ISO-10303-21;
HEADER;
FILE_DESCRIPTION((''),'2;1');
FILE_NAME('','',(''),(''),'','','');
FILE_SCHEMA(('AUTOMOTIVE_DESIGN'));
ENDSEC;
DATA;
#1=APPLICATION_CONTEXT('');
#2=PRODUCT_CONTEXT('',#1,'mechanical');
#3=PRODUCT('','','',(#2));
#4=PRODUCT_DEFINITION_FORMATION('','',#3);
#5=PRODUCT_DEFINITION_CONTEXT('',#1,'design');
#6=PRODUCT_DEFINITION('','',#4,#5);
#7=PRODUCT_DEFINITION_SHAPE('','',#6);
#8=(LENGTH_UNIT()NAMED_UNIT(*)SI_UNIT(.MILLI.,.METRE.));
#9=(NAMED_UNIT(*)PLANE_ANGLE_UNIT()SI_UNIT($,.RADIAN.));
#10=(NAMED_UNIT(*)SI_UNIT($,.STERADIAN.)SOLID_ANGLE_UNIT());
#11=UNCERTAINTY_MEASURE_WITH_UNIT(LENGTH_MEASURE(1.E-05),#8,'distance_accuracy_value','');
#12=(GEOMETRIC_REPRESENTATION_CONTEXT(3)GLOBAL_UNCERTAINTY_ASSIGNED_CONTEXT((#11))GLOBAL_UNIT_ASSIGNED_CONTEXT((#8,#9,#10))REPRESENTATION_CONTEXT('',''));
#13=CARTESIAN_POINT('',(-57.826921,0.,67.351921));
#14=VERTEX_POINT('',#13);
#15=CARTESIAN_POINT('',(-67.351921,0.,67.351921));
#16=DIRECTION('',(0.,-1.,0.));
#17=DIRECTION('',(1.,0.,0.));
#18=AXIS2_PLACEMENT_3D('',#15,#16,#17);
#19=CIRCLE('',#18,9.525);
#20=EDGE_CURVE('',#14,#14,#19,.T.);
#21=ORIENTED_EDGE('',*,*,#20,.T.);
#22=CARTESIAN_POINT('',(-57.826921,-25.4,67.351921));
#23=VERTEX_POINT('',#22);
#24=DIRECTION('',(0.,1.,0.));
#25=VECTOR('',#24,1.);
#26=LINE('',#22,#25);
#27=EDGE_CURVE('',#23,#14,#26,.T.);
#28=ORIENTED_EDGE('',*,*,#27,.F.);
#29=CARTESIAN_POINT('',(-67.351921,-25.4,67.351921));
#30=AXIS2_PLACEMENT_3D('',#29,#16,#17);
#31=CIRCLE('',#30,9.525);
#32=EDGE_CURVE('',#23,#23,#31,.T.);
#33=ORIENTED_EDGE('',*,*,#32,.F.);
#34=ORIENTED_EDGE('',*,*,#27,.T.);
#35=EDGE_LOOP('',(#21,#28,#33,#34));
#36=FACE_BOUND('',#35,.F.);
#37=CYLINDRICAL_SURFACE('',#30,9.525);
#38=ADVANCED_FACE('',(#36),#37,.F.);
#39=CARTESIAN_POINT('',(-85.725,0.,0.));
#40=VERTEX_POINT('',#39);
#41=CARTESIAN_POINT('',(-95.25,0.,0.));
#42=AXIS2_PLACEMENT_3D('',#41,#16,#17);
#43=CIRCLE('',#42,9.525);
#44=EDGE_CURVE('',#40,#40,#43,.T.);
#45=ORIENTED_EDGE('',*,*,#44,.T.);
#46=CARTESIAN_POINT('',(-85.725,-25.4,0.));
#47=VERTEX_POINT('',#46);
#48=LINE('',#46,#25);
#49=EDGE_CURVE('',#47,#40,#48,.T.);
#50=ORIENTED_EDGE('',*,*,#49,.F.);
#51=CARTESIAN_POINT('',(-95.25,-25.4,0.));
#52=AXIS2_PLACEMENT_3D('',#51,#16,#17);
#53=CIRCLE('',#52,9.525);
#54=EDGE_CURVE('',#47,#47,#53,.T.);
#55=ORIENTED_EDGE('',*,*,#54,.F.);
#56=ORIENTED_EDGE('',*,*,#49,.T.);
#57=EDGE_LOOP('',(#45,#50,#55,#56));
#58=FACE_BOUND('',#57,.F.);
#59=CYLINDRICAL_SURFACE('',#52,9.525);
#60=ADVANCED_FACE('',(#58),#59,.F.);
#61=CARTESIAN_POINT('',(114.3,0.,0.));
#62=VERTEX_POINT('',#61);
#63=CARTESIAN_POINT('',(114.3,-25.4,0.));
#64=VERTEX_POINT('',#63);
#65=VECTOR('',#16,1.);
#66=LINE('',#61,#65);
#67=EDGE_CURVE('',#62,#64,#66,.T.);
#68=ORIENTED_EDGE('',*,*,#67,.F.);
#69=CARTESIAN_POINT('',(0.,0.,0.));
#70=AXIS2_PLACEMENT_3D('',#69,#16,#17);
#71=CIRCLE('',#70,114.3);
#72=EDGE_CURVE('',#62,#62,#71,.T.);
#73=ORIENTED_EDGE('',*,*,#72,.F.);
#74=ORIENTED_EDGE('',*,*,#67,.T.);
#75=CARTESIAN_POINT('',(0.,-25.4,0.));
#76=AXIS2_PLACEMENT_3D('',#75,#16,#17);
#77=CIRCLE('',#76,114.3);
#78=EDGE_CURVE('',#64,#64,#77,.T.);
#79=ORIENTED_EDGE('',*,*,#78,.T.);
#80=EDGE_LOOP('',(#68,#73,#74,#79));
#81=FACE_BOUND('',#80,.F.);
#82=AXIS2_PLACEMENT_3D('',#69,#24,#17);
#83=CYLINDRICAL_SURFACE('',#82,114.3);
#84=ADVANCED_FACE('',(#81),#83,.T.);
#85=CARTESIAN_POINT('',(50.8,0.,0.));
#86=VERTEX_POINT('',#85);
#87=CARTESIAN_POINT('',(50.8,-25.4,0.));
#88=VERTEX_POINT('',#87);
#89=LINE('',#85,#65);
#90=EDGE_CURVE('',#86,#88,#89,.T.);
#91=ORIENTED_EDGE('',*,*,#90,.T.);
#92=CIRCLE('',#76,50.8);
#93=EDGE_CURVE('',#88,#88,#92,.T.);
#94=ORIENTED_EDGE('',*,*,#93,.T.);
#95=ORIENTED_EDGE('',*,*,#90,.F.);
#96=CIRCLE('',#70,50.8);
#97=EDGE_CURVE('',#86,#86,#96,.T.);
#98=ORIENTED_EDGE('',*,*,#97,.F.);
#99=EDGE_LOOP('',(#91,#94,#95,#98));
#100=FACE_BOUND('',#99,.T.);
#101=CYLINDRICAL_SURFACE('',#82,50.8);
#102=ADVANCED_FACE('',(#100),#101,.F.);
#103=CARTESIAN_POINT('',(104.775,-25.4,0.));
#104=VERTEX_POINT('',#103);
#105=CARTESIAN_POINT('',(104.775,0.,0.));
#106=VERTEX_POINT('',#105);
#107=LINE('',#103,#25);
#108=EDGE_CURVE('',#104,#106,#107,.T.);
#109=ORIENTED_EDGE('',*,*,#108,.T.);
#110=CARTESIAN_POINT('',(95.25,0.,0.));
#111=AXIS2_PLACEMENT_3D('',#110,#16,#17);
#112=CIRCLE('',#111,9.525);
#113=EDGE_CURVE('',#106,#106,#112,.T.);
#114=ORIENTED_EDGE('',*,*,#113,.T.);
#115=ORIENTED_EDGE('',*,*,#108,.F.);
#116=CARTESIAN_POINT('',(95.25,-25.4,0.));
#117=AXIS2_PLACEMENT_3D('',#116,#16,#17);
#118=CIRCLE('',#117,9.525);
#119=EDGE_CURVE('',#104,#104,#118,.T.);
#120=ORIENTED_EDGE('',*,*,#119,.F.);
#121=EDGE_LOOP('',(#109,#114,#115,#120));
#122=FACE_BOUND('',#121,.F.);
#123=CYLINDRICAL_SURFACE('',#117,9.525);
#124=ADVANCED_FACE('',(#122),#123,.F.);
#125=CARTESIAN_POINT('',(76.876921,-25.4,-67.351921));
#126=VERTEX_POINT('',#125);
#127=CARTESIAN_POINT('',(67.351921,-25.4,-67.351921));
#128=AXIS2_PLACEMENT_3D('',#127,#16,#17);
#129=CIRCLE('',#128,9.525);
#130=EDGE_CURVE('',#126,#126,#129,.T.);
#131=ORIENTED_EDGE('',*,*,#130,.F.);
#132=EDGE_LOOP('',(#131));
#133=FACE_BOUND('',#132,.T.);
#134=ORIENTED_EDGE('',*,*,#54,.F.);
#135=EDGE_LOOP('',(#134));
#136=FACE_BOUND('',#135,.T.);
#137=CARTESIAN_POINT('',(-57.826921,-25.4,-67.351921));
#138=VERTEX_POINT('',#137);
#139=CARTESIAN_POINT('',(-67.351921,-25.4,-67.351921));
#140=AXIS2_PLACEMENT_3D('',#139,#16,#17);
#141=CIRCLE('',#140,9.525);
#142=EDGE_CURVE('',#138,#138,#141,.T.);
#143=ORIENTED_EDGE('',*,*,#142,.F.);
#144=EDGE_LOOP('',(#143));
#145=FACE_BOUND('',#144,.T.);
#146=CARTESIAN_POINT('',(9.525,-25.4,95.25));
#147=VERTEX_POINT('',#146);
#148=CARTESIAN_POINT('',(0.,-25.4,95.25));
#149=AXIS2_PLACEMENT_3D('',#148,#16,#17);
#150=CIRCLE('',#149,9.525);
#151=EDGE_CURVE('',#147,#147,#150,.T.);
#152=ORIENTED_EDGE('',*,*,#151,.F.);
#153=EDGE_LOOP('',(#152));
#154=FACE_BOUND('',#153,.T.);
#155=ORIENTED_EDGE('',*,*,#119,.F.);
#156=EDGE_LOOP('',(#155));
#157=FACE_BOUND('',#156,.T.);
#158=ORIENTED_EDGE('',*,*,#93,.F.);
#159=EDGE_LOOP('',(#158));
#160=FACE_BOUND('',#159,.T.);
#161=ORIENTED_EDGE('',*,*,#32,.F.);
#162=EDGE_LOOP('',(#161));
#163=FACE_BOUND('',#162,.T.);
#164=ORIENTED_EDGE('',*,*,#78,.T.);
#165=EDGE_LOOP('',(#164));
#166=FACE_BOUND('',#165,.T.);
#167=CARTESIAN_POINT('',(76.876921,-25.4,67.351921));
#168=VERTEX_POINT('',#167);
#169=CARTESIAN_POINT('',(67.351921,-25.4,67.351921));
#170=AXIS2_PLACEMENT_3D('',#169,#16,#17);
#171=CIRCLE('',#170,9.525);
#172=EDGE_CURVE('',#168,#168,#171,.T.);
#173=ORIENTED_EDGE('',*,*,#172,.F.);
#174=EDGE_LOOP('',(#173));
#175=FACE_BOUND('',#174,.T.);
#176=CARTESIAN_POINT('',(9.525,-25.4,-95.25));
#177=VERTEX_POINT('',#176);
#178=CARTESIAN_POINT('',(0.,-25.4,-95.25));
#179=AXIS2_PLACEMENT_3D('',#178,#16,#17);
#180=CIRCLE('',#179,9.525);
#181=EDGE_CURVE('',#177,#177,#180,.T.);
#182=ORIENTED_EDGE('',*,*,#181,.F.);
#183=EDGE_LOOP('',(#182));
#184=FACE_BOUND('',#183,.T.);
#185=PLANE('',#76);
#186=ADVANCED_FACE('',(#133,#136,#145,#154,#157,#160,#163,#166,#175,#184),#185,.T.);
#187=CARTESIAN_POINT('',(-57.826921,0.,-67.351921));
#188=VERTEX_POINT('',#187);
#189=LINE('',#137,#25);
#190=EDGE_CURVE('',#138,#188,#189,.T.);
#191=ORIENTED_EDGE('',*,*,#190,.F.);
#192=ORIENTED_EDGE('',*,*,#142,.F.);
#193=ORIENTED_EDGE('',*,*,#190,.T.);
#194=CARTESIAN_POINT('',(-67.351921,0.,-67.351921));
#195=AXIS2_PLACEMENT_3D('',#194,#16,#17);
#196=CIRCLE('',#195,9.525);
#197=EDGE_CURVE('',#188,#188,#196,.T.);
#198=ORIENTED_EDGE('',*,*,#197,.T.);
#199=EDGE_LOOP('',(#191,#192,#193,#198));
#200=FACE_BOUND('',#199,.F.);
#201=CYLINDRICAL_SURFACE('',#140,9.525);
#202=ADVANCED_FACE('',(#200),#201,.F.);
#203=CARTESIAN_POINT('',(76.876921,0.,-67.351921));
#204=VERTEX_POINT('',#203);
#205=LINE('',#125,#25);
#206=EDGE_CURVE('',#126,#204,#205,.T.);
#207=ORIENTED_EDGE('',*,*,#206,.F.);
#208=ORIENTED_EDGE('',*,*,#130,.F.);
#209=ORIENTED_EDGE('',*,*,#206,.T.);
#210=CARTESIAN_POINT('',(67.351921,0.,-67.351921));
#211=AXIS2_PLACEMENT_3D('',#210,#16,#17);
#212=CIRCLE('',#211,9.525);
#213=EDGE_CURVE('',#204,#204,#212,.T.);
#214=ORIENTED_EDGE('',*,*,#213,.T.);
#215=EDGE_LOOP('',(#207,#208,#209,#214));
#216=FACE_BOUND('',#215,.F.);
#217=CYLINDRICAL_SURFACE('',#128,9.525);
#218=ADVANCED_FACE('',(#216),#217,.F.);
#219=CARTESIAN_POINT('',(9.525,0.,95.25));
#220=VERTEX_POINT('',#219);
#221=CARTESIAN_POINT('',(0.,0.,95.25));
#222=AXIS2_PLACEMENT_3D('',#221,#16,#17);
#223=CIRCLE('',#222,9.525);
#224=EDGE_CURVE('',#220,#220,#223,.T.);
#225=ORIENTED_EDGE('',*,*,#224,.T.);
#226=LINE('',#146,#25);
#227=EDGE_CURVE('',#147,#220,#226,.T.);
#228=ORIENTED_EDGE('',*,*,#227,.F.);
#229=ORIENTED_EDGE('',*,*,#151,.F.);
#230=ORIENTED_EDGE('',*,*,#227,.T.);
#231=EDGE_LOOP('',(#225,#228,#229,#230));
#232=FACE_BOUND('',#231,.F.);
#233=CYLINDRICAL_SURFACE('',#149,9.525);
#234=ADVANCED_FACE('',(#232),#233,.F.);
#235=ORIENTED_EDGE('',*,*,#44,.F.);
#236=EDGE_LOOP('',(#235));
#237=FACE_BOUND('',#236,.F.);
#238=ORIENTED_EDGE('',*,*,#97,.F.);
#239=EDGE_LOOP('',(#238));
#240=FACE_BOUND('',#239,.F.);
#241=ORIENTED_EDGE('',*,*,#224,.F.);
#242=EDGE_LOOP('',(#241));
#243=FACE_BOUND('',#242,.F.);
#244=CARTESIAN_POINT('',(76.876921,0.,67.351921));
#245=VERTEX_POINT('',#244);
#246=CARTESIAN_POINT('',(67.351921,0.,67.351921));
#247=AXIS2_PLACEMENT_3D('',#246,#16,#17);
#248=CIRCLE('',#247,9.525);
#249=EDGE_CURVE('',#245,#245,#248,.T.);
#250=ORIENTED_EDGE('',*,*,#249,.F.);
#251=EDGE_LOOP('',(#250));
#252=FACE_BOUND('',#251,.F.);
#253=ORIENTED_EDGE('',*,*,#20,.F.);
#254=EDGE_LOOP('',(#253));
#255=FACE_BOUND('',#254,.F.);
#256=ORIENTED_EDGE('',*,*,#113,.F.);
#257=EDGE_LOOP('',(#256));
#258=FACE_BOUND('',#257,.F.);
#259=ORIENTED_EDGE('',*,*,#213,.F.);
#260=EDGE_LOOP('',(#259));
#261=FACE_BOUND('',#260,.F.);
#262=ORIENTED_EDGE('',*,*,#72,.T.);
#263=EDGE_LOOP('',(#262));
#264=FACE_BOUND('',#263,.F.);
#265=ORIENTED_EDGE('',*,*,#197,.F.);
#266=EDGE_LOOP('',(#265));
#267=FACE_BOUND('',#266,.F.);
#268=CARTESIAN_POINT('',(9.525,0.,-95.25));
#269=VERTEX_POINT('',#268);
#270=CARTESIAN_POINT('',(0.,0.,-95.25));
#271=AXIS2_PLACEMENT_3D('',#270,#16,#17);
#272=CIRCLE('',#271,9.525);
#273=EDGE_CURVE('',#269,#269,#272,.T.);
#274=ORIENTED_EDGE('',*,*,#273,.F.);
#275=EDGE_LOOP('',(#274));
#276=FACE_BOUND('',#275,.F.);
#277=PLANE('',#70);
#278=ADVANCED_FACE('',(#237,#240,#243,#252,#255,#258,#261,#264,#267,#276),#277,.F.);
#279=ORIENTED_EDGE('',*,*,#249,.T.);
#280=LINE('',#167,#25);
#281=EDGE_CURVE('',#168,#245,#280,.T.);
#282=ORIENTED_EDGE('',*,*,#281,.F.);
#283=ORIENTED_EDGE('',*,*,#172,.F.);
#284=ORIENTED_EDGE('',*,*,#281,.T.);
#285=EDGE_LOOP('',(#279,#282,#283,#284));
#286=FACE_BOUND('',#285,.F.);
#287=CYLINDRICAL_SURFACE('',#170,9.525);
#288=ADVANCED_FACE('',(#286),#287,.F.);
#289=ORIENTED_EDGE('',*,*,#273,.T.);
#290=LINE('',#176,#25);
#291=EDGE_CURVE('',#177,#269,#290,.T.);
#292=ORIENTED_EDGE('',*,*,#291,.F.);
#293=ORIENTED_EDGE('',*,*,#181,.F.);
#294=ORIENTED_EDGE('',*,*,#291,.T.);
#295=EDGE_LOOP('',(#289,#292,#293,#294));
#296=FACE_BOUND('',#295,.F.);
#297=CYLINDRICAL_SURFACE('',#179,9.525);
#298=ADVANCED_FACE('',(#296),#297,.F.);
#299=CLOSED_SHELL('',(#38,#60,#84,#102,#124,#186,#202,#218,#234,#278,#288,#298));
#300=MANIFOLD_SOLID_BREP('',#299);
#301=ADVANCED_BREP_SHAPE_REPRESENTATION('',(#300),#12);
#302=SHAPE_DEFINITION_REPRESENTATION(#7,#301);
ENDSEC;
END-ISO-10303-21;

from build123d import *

# Parameters (mm, degrees)
F0_R     = 114.3
F0_R_2   = 50.8
F1_DEPTH = 25.4
F2_R     = 9.525
F3_DEPTH = 25.4


with BuildPart() as f1:
    # F0 (on Front) → F1 (new body)
    with BuildSketch(Plane.XZ):
        Circle(F0_R)
        Circle(F0_R_2, mode=Mode.SUBTRACT)
    extrude(amount=F1_DEPTH)

    # F2 (on face) → F3 (cut, through all)
    with BuildSketch(Plane.XZ.offset(25.4)):
        with Locations((0, 95.25)):
            Circle(F2_R)
        with Locations((-67.351921, 67.351921)):
            Circle(F2_R)
        with Locations((-95.25, 0)):
            Circle(F2_R)
        with Locations((-67.351921, -67.351921)):
            Circle(F2_R)
        with Locations((0, -95.25)):
            Circle(F2_R)
        with Locations((67.351921, -67.351921)):
            Circle(F2_R)
        with Locations((95.25, 0)):
            Circle(F2_R)
        with Locations((67.351921, 67.351921)):
            Circle(F2_R)
    extrude(amount=-F3_DEPTH, mode=Mode.SUBTRACT)


solid = f1.part
